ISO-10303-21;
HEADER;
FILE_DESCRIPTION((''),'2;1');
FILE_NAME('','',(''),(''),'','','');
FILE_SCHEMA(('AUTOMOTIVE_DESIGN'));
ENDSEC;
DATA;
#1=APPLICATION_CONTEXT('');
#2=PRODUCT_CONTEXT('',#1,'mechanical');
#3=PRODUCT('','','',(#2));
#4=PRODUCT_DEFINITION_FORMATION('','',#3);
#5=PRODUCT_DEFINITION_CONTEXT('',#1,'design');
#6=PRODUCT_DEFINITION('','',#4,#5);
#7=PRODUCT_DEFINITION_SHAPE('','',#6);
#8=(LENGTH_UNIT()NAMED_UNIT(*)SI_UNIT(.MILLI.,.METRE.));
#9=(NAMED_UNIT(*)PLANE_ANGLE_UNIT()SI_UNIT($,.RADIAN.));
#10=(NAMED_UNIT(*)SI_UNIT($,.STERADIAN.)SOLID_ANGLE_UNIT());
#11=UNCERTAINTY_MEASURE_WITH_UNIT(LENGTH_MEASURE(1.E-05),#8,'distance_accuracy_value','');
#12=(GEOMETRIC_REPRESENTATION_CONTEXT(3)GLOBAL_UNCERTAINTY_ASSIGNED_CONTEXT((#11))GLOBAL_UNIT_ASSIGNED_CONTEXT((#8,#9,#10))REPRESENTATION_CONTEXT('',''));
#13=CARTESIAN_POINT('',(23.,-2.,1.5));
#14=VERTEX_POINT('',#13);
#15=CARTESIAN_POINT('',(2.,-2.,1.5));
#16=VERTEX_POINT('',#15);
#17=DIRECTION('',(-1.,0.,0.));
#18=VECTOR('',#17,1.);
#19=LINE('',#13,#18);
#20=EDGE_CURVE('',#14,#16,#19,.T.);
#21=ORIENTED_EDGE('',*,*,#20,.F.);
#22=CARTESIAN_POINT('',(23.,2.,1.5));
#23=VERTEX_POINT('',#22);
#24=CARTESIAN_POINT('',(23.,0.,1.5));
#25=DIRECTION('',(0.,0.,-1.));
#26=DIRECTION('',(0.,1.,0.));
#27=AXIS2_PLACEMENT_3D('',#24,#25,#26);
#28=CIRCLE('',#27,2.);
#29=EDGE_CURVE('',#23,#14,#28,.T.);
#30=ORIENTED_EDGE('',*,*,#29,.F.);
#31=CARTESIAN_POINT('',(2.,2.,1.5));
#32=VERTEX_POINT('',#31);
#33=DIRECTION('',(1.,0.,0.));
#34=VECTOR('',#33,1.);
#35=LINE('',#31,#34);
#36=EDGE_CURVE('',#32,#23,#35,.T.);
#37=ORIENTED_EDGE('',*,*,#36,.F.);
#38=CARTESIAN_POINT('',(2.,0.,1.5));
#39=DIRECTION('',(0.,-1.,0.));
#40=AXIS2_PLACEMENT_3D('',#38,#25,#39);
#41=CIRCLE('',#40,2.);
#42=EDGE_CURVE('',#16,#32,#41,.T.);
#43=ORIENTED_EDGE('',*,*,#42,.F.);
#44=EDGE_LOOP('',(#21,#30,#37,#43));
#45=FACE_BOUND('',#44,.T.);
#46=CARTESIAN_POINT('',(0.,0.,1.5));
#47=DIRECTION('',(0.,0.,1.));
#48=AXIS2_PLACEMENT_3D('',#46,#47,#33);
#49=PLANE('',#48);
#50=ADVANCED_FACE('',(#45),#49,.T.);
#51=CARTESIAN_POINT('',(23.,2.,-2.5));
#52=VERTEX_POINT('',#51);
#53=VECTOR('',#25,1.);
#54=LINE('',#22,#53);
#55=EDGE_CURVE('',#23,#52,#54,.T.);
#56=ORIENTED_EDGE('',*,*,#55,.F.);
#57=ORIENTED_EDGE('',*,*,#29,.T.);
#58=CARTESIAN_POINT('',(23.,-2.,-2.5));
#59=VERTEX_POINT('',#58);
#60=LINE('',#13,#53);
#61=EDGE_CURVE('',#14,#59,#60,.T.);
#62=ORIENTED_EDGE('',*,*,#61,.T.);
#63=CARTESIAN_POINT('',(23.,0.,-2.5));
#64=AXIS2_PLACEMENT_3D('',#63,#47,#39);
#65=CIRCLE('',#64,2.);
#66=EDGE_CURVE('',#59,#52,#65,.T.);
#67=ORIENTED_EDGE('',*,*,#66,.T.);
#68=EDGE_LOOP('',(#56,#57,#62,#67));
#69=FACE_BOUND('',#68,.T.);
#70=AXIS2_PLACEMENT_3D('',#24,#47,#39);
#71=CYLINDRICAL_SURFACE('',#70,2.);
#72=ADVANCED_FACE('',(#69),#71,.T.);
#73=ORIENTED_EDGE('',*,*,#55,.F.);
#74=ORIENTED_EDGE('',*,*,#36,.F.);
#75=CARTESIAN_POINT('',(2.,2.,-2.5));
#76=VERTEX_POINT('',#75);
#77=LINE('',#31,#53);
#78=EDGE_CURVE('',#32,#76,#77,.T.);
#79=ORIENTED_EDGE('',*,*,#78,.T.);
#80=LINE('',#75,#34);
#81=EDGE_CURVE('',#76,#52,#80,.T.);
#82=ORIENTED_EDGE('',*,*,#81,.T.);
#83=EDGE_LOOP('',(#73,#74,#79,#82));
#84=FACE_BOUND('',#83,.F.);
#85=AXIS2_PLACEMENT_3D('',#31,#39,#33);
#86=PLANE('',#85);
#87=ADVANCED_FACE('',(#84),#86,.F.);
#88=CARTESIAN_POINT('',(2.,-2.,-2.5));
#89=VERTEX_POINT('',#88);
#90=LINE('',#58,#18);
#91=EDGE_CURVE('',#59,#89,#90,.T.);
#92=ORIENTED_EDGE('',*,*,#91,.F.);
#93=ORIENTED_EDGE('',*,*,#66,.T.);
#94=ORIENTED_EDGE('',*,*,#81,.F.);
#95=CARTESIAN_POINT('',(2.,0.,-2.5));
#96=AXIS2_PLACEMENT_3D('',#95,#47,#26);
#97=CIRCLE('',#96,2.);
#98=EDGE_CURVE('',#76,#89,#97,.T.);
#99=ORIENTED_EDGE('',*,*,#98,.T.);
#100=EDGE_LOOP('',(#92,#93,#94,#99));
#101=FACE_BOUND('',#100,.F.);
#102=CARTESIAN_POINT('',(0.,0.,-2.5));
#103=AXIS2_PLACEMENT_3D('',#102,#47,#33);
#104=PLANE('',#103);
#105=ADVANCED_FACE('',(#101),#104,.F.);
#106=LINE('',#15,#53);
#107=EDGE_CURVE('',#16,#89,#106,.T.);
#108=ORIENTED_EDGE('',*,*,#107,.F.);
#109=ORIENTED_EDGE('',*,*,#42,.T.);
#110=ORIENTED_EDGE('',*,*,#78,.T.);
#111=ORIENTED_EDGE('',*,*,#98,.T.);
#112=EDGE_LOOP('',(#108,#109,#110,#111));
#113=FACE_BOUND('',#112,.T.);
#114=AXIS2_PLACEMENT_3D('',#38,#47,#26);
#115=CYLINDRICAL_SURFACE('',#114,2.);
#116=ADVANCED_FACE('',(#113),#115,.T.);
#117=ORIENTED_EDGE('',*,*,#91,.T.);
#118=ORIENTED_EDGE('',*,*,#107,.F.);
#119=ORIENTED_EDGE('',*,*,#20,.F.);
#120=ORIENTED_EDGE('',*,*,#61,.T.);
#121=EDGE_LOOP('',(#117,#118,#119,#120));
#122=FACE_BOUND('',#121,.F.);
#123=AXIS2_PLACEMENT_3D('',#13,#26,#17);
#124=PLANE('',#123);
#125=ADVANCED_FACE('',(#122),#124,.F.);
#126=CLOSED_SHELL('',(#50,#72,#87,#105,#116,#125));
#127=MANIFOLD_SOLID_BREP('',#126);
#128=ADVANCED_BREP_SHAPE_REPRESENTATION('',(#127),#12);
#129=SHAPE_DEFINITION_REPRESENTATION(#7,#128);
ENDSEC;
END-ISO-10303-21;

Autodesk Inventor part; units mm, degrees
sketch "Sketch1" plane through (0, 0, 0) normal (0, 0, 1) x (1, 0, 0)
  line L0 (2, 2) -> (23, 2)
  line L1 (23, -2) -> (2, -2)
  arc A0 (2, 2) -> (2, -2) centre (2, 0) ccw
  line L2 (0, 9.4) -> (0, -7.4) projected
  line L3 (-5, 0) -> (30, 0) projected
  arc A1 (23, -2) -> (23, 2) centre (23, 0) ccw
  line L4 (25, 0) -> (25, 7) construction
  dimension "d0" = 2
  dimension "d8" = 2
  dimension "d9" = 25
ref_plane "Work Plane1" through (0, 0, -2.5) normal (0, 0, 1) x (1, 0, 0)
ref_plane "Work Plane2" through (0, 0, 1.5) normal (0, 0, 1) x (1, 0, 0)
extrude "Body1" add sketch "Sketch1" against normal up to surface (4 mm away) from surface at 1.5
ref_plane "Work Plane3" through (25, 0, 1.5) normal (1, 0, 0) x (0, 1, 0)
equation "\"d0\" = 0.5 * PB"
equation "\"d8\" = 0.5 * PB"
equation "\"d9\" = NLG"
equation "\"d1\" = -PNT"
equation "\"d2\" = PH - PNT"
equation "\"NLG\" = 25"
equation "\"PB\" = 4"
equation "\"PNT\" = 2.5"
equation "\"PH\" = 4"
equation "\"RR\" = 0.001"
equation "\"PHH\" = 0"
equation "\"WDMAX\" = 12"
equation "\"PLB1\" = NLG"
equation "\"PLB2\" = NLG"
equation "\"PUEB\" = 1.8"
properties part number "DIN 6885 - A 4 x 4 x 25" material "Steel, Mild"
